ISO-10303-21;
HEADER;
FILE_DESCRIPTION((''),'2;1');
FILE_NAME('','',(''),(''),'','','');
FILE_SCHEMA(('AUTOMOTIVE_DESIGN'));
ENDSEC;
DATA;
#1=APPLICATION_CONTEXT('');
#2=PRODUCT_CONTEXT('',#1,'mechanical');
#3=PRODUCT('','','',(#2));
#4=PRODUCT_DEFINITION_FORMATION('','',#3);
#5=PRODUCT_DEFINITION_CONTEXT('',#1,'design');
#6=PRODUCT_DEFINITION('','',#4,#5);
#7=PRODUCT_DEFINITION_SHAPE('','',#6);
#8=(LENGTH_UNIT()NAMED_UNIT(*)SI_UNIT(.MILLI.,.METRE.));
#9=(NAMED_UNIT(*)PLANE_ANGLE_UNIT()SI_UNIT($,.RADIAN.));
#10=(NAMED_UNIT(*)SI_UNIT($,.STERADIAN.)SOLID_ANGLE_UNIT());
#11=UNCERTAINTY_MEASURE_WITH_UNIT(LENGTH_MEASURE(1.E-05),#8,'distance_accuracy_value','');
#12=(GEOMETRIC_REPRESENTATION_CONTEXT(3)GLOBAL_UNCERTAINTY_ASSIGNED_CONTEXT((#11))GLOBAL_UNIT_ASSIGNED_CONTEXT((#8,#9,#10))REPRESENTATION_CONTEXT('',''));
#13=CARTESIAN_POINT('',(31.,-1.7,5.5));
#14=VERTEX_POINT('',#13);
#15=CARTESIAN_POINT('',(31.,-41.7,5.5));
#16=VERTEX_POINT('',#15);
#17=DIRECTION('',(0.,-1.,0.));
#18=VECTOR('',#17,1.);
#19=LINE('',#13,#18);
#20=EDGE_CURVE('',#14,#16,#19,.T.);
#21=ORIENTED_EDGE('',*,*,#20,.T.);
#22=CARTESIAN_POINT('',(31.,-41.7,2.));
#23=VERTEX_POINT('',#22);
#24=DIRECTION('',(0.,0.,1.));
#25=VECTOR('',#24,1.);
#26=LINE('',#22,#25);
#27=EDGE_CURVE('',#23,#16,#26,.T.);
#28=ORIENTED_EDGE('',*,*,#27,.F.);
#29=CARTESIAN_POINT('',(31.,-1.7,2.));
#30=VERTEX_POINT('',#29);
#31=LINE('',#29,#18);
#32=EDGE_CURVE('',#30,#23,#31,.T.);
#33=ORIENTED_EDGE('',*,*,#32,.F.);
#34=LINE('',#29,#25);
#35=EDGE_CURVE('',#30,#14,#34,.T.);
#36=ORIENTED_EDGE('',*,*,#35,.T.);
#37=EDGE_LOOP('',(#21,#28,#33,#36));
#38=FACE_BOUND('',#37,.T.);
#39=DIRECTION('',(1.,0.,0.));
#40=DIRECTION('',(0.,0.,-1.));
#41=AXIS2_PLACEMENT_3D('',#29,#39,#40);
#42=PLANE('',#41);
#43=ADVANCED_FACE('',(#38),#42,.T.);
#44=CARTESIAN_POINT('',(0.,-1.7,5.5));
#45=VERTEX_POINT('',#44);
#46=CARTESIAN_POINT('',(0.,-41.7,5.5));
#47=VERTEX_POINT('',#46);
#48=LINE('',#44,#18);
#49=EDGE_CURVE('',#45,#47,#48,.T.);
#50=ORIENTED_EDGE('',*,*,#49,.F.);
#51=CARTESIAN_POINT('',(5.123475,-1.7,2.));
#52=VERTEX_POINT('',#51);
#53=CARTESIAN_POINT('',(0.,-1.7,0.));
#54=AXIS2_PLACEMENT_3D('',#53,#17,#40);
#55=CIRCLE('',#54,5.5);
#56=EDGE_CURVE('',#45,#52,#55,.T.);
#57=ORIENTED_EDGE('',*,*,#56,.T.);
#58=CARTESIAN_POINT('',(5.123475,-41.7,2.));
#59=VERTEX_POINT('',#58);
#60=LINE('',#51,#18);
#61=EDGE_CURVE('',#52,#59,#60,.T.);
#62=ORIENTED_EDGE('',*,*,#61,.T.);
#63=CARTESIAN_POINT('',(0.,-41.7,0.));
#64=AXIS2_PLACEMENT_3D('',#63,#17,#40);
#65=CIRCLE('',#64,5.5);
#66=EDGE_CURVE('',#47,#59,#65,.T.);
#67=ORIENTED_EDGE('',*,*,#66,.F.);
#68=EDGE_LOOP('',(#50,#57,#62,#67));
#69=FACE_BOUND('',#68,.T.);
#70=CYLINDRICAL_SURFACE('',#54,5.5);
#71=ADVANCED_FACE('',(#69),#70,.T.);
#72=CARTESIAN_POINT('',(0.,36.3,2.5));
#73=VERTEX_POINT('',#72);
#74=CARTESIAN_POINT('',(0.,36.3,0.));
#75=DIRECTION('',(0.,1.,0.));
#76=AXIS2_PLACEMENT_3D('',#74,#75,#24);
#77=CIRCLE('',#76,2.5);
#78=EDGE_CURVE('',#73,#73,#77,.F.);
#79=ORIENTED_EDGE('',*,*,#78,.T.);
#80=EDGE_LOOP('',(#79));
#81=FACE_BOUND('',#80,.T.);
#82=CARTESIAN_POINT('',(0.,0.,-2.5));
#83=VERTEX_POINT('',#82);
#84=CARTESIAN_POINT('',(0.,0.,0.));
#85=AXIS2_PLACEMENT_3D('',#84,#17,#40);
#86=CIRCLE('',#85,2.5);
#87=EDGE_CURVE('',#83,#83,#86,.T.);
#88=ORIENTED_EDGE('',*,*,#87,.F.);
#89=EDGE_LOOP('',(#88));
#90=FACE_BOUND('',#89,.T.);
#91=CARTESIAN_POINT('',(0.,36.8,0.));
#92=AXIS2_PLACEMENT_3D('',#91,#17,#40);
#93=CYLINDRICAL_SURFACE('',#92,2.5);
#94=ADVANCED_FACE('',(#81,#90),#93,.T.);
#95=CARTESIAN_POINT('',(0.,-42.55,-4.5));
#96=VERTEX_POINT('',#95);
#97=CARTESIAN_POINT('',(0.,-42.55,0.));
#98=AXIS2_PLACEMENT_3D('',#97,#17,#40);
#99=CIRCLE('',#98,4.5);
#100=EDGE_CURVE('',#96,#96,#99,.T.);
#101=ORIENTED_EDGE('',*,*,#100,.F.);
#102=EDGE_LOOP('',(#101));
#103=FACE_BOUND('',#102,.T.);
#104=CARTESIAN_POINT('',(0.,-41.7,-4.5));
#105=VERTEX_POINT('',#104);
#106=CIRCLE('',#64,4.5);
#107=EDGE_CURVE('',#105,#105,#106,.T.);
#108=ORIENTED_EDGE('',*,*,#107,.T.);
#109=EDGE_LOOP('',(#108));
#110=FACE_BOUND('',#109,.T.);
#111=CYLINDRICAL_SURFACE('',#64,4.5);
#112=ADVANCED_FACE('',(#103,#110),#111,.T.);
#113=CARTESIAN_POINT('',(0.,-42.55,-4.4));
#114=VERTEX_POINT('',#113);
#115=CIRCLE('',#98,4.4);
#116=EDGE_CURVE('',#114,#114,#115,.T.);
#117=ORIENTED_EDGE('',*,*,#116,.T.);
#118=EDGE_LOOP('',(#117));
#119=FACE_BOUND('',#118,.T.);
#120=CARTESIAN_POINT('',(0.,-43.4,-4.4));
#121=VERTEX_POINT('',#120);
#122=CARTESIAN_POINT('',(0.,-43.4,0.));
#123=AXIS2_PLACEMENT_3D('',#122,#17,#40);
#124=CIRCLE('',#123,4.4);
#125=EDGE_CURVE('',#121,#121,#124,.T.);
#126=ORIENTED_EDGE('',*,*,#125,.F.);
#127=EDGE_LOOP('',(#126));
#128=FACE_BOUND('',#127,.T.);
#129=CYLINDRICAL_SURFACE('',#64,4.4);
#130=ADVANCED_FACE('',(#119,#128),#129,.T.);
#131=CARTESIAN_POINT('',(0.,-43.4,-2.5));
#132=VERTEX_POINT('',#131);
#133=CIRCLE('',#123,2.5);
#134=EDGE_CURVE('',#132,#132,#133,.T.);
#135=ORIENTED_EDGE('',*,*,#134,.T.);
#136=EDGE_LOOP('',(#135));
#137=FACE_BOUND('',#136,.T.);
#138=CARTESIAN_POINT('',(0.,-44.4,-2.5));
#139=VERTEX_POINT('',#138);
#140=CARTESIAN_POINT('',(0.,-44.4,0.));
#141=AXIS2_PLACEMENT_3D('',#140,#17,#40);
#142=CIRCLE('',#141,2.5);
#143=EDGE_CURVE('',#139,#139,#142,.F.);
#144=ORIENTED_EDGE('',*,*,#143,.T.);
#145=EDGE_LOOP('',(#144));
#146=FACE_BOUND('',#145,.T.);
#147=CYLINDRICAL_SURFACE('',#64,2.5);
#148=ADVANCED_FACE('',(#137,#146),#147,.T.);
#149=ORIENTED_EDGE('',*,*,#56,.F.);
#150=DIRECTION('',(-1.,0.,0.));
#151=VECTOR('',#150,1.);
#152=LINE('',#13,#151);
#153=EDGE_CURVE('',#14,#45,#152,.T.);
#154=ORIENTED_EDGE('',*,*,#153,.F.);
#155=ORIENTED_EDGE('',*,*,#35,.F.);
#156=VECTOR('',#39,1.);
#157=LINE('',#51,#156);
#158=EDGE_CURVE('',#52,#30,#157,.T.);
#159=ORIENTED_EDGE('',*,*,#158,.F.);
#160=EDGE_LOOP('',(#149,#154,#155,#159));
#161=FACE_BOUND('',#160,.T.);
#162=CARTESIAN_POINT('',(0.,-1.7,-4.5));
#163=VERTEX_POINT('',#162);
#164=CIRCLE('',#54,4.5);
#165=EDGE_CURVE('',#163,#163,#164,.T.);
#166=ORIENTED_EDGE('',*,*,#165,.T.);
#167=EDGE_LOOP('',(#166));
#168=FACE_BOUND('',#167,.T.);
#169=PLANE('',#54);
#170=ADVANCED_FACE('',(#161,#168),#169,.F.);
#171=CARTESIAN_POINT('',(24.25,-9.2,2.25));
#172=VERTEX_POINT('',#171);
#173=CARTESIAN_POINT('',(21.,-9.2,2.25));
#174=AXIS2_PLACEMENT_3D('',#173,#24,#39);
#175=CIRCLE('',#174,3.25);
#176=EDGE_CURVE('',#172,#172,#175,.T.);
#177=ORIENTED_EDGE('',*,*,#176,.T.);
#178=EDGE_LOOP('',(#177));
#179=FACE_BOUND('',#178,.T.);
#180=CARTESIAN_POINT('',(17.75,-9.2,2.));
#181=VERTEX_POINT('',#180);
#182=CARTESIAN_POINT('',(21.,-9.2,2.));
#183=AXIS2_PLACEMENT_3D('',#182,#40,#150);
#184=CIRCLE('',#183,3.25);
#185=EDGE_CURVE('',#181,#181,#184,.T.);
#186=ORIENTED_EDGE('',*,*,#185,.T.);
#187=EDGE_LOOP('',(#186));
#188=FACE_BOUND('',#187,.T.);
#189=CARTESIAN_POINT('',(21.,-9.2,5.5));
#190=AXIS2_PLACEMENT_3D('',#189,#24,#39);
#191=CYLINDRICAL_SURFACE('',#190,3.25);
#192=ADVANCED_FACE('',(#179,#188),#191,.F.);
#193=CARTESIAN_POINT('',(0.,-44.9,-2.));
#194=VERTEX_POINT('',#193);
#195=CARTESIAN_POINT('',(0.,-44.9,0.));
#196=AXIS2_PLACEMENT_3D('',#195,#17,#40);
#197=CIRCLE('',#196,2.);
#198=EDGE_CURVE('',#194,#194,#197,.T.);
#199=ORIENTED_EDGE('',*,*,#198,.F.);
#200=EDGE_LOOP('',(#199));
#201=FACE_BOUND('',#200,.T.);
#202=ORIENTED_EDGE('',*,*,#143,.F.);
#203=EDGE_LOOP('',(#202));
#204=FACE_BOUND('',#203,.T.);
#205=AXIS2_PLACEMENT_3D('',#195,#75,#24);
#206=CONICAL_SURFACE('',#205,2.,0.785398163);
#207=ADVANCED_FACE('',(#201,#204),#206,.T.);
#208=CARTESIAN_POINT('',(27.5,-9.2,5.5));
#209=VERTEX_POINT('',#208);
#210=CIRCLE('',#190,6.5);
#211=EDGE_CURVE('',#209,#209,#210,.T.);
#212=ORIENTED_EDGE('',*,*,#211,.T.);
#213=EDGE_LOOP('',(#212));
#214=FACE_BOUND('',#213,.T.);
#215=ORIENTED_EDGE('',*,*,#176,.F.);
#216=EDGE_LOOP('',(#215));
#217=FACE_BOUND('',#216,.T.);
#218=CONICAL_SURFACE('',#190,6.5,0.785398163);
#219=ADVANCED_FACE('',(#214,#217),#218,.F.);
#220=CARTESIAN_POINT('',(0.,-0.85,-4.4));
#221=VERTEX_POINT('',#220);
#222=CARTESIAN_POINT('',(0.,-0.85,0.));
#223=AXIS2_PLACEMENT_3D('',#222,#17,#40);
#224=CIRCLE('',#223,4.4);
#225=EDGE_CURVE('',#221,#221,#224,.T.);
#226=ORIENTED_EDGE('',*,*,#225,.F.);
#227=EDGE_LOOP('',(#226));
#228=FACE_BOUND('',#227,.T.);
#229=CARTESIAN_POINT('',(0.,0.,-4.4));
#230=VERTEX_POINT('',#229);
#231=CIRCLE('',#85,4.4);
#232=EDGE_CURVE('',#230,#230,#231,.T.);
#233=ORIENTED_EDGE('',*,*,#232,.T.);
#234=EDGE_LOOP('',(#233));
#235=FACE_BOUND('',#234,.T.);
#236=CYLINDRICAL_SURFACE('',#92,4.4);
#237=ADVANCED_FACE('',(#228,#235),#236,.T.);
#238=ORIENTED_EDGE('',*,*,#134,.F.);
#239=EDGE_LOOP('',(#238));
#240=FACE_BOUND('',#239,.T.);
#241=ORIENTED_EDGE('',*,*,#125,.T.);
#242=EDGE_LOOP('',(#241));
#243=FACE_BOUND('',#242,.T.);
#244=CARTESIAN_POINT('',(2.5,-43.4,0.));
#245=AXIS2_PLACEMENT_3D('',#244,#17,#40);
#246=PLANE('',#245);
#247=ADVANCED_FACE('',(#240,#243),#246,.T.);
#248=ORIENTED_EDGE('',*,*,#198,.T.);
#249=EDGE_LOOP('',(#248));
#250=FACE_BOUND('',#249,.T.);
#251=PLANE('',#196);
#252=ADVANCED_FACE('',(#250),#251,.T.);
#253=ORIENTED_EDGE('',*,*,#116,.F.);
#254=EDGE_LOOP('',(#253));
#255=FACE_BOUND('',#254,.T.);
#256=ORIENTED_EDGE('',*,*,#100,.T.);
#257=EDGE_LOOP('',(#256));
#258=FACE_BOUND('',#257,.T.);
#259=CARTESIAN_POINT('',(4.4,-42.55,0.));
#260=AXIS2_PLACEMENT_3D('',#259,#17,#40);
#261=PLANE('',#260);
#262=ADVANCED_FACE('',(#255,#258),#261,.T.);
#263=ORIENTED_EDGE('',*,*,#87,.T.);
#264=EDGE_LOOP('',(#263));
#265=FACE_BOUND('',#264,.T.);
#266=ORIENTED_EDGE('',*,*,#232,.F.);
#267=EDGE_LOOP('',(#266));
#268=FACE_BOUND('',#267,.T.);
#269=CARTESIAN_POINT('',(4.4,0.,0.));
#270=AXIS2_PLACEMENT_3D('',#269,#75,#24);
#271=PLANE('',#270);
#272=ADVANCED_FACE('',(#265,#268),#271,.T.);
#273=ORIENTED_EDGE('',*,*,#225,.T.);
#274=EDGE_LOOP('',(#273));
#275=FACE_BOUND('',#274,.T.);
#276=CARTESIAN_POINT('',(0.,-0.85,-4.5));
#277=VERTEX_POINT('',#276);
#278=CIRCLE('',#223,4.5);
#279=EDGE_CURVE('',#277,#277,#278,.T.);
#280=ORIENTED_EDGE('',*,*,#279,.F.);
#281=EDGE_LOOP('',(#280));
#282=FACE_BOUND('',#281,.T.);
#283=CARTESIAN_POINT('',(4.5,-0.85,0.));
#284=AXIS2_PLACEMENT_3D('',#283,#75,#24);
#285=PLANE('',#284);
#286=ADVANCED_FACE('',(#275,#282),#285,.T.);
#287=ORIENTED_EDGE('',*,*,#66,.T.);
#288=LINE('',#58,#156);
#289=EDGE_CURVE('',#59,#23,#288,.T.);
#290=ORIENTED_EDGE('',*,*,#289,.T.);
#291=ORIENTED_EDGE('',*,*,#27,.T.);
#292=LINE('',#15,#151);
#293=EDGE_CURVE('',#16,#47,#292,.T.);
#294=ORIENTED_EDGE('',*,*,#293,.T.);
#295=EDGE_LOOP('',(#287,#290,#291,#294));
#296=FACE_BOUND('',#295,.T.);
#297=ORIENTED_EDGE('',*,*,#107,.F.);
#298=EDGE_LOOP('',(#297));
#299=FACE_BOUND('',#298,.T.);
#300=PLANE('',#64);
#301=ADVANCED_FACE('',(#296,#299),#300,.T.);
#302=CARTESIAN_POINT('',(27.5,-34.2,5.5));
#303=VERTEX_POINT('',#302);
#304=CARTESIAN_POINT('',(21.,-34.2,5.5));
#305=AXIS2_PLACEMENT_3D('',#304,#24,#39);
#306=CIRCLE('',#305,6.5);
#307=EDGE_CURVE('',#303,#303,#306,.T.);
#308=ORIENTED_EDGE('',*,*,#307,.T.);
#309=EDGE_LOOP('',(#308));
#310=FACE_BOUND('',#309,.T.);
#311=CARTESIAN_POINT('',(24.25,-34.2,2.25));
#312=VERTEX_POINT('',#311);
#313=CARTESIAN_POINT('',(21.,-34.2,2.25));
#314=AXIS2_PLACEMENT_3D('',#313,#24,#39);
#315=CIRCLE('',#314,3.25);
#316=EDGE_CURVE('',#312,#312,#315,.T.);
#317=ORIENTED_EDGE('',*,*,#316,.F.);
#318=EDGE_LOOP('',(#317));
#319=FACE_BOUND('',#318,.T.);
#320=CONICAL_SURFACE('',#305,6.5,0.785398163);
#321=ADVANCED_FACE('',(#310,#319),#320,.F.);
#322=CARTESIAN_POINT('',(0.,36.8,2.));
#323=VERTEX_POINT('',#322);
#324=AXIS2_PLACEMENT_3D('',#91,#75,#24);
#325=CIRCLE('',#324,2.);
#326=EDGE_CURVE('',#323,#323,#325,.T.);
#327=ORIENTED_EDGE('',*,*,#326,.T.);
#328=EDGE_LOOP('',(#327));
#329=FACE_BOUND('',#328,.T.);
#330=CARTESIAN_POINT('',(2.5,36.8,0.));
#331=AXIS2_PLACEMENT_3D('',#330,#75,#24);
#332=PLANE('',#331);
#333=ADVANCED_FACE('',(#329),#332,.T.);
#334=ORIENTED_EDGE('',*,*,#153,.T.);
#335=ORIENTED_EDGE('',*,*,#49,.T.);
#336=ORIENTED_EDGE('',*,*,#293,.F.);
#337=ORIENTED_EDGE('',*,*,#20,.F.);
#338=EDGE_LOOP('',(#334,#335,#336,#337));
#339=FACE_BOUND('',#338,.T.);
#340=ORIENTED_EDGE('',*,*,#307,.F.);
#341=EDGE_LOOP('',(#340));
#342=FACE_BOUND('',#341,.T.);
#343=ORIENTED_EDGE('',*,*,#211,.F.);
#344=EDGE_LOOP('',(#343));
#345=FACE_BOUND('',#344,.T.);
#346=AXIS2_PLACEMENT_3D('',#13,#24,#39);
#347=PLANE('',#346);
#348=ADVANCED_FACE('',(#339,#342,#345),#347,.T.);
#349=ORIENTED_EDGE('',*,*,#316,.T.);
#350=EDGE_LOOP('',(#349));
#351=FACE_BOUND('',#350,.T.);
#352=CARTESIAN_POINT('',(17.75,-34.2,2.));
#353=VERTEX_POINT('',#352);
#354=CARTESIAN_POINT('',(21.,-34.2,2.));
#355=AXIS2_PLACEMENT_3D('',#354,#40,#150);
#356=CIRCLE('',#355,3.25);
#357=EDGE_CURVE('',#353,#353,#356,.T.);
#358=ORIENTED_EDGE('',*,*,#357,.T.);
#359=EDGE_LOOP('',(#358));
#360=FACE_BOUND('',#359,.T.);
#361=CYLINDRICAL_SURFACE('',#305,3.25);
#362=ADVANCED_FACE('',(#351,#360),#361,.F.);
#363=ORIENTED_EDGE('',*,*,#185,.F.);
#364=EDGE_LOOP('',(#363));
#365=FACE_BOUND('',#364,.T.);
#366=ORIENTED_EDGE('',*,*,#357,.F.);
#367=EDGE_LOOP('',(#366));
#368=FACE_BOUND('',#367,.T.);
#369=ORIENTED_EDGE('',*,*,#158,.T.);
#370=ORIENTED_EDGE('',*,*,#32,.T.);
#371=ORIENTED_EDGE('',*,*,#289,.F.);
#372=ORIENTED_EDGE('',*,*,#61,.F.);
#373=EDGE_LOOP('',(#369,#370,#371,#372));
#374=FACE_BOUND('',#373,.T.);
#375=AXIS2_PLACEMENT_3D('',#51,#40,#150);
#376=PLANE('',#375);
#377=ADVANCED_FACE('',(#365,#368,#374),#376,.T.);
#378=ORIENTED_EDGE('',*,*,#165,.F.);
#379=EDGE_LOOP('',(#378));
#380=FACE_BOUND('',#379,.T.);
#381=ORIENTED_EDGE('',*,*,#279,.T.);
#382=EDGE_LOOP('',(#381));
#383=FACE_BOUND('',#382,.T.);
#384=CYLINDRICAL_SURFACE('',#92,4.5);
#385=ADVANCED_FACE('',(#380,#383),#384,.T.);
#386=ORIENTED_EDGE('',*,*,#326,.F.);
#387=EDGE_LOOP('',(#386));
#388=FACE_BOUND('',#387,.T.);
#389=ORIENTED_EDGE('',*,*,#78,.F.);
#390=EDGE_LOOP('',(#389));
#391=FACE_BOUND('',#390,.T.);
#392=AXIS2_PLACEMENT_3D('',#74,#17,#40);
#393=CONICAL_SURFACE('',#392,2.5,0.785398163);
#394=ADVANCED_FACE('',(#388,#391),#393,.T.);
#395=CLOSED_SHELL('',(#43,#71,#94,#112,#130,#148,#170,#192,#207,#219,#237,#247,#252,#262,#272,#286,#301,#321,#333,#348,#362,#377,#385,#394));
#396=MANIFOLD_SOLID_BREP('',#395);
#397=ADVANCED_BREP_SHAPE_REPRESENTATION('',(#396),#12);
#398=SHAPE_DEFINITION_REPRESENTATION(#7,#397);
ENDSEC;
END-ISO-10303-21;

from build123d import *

# Parameters (mm, degrees)
EXTRUDE1_DEPTH       = 40
HOLEWZD1_D           = 6.5
HOLEWZD1_DEPTH       = 11
HOLEWZD1_CSINK_D     = 13
HOLEWZD1_CSINK_ANGLE = 90
CHAMFER1_SIZE        = 0.5


with BuildPart() as part:
    # Sketch1 → Extrude1 (new body)
    with BuildSketch(Plane.XZ.offset(41.7)):
        with BuildLine():
            Line((31, 5.5), (0, 5.5))
            ThreePointArc((0, 5.5), (-3.102418411, -4.541475531), (5.123475383, 2))
            Line((5.123475383, 2), (31, 2))
            Line((31, 2), (31, 5.5))
        make_face()
    extrude(amount=-EXTRUDE1_DEPTH)

    # Sketch2 → Revolve1 (revolve)
    with BuildSketch(Plane.XY):
        Polygon((2.5, 36.8), (0, 36.8), (0, -1.7), (4.5, -1.7), (4.5, -0.85), (4.4, -0.85), (4.4, 0), (2.5, 0), align=None)
    revolve(axis=Axis((0, 36.8, 0), (0, -1, 0)))

    # Sketch3 → Revolve2 (revolve)
    with BuildSketch(Plane.XY):
        Polygon((4.5, -41.7), (0, -41.7), (0, -44.9), (2.5, -44.9), (2.5, -43.4), (4.4, -43.4), (4.4, -42.55), (4.5, -42.55), align=None)
    revolve(axis=Axis((0, -41.7, 0), (0, -1, 0)))

    # HoleWzd1
    with Locations(Plane.XY.offset(5.5)):
        with Locations((21, -34.2), (21, -9.2)):
            CounterSinkHole(HOLEWZD1_D / 2, HOLEWZD1_CSINK_D / 2, depth=HOLEWZD1_DEPTH, counter_sink_angle=HOLEWZD1_CSINK_ANGLE)

    # Chamfer1
    chamfer1_edges = [part.edges().sort_by_distance(p)[0] for p in [
        (-2.5, 36.8, 0),
        (-2.5, -44.9, 0),
    ]]
    chamfer(chamfer1_edges, length=CHAMFER1_SIZE)


solid = part.part
